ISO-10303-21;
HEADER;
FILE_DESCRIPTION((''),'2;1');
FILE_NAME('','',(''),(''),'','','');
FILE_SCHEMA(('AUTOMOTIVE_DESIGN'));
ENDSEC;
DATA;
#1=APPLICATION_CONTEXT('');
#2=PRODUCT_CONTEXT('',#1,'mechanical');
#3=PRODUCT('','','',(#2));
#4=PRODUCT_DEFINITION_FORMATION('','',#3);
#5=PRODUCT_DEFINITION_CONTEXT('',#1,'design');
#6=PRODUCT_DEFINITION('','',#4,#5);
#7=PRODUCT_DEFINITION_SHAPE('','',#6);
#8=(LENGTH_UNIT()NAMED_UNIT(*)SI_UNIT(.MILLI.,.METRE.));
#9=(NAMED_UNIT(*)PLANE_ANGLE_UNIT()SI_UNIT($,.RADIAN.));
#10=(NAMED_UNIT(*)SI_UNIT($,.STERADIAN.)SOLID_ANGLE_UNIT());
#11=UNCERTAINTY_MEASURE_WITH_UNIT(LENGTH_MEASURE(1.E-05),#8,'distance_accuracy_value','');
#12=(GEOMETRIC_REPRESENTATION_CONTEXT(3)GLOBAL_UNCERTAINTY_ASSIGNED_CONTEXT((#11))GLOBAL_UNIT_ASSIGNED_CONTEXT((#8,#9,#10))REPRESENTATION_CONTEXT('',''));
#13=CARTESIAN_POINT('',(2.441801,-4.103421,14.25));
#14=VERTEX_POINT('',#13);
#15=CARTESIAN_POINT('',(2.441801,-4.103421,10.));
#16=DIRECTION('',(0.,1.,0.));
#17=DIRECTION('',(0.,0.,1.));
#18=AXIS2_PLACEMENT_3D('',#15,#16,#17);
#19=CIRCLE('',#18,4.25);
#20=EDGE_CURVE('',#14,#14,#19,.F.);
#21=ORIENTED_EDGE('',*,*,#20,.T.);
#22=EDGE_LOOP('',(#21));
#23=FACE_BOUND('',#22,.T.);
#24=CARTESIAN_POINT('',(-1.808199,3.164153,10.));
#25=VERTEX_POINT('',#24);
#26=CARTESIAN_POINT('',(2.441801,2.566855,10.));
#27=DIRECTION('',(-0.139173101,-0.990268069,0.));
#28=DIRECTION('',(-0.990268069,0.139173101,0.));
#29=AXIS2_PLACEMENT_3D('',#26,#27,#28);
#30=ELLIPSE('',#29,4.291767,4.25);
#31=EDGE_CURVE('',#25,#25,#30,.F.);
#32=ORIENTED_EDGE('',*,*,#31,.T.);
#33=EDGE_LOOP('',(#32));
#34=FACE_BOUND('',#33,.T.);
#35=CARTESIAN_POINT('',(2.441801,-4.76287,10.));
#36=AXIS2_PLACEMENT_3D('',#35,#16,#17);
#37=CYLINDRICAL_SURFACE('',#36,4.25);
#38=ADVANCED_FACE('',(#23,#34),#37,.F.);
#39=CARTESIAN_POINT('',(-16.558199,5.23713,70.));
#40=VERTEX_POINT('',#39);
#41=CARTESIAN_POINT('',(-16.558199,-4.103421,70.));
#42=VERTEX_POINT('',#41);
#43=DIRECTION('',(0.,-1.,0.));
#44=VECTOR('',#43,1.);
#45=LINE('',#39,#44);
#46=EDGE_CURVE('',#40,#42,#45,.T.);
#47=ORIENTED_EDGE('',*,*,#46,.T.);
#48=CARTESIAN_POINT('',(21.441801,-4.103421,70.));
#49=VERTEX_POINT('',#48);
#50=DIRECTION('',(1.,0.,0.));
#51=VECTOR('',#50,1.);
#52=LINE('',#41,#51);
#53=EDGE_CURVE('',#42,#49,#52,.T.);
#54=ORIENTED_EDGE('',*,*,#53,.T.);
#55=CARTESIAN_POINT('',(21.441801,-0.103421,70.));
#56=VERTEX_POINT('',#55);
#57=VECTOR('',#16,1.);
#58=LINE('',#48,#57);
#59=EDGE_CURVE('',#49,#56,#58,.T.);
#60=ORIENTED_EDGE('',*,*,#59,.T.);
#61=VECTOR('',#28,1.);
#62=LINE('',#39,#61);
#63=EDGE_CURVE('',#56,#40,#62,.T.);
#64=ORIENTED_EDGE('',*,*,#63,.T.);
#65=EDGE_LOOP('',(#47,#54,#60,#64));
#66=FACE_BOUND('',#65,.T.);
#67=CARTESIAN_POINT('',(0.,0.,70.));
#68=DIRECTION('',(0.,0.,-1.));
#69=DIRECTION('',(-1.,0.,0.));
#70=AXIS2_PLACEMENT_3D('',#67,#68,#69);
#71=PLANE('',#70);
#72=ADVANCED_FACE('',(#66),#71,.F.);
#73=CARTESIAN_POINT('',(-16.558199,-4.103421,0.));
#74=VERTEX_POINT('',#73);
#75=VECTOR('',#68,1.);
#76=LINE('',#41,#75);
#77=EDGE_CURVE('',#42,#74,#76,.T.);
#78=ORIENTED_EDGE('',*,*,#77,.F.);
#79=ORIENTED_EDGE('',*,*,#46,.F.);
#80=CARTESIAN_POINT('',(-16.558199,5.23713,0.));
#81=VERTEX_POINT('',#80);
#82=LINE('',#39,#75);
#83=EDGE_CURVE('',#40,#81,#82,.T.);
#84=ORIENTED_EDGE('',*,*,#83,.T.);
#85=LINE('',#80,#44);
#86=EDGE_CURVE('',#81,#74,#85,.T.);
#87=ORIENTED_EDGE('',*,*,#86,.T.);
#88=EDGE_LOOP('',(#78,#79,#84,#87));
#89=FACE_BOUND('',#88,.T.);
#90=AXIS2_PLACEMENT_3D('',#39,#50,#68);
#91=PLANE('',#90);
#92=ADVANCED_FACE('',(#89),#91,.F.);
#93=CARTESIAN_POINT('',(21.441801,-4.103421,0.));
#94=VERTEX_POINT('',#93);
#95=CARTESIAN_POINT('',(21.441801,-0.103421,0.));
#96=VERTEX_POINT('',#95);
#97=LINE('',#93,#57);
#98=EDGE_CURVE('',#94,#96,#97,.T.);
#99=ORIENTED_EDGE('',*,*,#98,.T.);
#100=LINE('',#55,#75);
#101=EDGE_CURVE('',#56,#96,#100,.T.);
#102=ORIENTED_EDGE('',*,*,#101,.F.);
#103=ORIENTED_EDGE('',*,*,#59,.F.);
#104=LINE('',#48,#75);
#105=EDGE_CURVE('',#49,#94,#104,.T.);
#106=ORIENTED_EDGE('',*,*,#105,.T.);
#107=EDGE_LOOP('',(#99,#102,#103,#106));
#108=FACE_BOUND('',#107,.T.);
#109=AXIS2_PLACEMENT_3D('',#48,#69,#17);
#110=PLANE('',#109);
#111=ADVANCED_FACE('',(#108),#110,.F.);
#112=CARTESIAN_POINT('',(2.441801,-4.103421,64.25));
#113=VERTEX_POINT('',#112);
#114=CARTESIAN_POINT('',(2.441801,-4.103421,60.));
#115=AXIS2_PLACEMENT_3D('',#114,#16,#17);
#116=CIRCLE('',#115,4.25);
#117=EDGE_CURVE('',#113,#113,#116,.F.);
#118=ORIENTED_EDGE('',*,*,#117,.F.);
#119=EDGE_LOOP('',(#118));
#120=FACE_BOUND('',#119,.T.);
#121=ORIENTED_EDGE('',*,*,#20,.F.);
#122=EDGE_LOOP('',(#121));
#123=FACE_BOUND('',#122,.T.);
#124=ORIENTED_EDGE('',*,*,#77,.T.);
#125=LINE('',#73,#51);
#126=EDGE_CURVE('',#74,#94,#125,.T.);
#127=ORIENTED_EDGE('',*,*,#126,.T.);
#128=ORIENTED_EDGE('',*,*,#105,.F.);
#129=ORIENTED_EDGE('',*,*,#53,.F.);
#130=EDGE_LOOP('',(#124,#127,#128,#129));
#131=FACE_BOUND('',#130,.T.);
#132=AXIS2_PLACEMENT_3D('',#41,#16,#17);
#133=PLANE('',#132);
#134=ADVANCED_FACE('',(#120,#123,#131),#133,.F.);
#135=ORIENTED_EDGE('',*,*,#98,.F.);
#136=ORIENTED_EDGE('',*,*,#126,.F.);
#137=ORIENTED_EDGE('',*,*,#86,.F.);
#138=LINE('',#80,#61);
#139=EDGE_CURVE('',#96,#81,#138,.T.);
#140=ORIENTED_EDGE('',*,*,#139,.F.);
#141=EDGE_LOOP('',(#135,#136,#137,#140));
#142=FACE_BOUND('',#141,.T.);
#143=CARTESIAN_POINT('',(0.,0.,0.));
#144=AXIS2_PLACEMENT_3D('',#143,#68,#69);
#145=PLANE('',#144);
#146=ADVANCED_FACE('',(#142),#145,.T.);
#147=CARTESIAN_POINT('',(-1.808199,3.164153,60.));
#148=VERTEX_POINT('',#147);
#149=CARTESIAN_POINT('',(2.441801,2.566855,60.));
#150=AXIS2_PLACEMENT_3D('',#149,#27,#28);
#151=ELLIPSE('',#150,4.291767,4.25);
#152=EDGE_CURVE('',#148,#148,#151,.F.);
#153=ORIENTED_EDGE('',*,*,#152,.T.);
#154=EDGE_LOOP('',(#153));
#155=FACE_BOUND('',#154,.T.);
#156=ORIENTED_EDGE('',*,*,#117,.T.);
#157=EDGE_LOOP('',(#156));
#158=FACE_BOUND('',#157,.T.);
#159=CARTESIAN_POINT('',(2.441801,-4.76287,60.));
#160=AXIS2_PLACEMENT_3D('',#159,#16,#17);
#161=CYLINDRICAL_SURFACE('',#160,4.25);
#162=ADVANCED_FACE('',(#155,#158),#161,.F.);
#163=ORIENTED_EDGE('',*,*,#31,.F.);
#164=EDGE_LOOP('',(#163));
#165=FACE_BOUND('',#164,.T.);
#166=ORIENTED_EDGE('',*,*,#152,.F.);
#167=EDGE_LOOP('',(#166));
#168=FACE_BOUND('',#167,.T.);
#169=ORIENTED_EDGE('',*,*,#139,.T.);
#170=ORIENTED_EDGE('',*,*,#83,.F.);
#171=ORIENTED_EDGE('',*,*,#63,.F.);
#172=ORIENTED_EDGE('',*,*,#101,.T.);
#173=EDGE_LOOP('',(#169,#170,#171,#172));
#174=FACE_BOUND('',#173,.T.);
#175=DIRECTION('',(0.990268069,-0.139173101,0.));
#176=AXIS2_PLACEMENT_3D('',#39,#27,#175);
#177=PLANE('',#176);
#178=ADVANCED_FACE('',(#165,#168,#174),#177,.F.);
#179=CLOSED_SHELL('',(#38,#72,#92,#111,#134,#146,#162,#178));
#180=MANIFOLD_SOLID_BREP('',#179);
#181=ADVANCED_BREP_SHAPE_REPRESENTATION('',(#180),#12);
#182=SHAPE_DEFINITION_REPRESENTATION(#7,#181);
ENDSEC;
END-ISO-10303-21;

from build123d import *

# Parameters (mm, degrees)
DODANIE_WYCI_GNI_CIE1_DEPTH = 70
SZKIC2_R                    = 4.25
WYTNIJ_WYCI_GNI_CIE1_DEPTH  = 10


with BuildPart() as part:
    # Szkic1 → Dodanie-wyciągnięcie1 (new body)
    with BuildSketch(Plane.XY):
        Polygon((-16.558198873, 5.237130444), (-16.558198873, -4.103421275), (21.441801127, -4.103421275), (21.441801127, -0.103421275), align=None)
    extrude(amount=DODANIE_WYCI_GNI_CIE1_DEPTH)

    # Szkic2 → Wytnij-wyciągnięcie1 (cut)
    with BuildSketch(Plane(origin=(0, 5.237130444, 0), x_dir=(-1, 0, 0), z_dir=(0, -1, 0))):
        with Locations(Location((-2.441801127, -60, 0), (0, 0, 270))):
            Circle(SZKIC2_R)
        with Locations(Location((-2.441801127, -10, 0), (0, 0, 270))):
            Circle(SZKIC2_R)
    extrude(amount=WYTNIJ_WYCI_GNI_CIE1_DEPTH, mode=Mode.SUBTRACT)


solid = part.part
